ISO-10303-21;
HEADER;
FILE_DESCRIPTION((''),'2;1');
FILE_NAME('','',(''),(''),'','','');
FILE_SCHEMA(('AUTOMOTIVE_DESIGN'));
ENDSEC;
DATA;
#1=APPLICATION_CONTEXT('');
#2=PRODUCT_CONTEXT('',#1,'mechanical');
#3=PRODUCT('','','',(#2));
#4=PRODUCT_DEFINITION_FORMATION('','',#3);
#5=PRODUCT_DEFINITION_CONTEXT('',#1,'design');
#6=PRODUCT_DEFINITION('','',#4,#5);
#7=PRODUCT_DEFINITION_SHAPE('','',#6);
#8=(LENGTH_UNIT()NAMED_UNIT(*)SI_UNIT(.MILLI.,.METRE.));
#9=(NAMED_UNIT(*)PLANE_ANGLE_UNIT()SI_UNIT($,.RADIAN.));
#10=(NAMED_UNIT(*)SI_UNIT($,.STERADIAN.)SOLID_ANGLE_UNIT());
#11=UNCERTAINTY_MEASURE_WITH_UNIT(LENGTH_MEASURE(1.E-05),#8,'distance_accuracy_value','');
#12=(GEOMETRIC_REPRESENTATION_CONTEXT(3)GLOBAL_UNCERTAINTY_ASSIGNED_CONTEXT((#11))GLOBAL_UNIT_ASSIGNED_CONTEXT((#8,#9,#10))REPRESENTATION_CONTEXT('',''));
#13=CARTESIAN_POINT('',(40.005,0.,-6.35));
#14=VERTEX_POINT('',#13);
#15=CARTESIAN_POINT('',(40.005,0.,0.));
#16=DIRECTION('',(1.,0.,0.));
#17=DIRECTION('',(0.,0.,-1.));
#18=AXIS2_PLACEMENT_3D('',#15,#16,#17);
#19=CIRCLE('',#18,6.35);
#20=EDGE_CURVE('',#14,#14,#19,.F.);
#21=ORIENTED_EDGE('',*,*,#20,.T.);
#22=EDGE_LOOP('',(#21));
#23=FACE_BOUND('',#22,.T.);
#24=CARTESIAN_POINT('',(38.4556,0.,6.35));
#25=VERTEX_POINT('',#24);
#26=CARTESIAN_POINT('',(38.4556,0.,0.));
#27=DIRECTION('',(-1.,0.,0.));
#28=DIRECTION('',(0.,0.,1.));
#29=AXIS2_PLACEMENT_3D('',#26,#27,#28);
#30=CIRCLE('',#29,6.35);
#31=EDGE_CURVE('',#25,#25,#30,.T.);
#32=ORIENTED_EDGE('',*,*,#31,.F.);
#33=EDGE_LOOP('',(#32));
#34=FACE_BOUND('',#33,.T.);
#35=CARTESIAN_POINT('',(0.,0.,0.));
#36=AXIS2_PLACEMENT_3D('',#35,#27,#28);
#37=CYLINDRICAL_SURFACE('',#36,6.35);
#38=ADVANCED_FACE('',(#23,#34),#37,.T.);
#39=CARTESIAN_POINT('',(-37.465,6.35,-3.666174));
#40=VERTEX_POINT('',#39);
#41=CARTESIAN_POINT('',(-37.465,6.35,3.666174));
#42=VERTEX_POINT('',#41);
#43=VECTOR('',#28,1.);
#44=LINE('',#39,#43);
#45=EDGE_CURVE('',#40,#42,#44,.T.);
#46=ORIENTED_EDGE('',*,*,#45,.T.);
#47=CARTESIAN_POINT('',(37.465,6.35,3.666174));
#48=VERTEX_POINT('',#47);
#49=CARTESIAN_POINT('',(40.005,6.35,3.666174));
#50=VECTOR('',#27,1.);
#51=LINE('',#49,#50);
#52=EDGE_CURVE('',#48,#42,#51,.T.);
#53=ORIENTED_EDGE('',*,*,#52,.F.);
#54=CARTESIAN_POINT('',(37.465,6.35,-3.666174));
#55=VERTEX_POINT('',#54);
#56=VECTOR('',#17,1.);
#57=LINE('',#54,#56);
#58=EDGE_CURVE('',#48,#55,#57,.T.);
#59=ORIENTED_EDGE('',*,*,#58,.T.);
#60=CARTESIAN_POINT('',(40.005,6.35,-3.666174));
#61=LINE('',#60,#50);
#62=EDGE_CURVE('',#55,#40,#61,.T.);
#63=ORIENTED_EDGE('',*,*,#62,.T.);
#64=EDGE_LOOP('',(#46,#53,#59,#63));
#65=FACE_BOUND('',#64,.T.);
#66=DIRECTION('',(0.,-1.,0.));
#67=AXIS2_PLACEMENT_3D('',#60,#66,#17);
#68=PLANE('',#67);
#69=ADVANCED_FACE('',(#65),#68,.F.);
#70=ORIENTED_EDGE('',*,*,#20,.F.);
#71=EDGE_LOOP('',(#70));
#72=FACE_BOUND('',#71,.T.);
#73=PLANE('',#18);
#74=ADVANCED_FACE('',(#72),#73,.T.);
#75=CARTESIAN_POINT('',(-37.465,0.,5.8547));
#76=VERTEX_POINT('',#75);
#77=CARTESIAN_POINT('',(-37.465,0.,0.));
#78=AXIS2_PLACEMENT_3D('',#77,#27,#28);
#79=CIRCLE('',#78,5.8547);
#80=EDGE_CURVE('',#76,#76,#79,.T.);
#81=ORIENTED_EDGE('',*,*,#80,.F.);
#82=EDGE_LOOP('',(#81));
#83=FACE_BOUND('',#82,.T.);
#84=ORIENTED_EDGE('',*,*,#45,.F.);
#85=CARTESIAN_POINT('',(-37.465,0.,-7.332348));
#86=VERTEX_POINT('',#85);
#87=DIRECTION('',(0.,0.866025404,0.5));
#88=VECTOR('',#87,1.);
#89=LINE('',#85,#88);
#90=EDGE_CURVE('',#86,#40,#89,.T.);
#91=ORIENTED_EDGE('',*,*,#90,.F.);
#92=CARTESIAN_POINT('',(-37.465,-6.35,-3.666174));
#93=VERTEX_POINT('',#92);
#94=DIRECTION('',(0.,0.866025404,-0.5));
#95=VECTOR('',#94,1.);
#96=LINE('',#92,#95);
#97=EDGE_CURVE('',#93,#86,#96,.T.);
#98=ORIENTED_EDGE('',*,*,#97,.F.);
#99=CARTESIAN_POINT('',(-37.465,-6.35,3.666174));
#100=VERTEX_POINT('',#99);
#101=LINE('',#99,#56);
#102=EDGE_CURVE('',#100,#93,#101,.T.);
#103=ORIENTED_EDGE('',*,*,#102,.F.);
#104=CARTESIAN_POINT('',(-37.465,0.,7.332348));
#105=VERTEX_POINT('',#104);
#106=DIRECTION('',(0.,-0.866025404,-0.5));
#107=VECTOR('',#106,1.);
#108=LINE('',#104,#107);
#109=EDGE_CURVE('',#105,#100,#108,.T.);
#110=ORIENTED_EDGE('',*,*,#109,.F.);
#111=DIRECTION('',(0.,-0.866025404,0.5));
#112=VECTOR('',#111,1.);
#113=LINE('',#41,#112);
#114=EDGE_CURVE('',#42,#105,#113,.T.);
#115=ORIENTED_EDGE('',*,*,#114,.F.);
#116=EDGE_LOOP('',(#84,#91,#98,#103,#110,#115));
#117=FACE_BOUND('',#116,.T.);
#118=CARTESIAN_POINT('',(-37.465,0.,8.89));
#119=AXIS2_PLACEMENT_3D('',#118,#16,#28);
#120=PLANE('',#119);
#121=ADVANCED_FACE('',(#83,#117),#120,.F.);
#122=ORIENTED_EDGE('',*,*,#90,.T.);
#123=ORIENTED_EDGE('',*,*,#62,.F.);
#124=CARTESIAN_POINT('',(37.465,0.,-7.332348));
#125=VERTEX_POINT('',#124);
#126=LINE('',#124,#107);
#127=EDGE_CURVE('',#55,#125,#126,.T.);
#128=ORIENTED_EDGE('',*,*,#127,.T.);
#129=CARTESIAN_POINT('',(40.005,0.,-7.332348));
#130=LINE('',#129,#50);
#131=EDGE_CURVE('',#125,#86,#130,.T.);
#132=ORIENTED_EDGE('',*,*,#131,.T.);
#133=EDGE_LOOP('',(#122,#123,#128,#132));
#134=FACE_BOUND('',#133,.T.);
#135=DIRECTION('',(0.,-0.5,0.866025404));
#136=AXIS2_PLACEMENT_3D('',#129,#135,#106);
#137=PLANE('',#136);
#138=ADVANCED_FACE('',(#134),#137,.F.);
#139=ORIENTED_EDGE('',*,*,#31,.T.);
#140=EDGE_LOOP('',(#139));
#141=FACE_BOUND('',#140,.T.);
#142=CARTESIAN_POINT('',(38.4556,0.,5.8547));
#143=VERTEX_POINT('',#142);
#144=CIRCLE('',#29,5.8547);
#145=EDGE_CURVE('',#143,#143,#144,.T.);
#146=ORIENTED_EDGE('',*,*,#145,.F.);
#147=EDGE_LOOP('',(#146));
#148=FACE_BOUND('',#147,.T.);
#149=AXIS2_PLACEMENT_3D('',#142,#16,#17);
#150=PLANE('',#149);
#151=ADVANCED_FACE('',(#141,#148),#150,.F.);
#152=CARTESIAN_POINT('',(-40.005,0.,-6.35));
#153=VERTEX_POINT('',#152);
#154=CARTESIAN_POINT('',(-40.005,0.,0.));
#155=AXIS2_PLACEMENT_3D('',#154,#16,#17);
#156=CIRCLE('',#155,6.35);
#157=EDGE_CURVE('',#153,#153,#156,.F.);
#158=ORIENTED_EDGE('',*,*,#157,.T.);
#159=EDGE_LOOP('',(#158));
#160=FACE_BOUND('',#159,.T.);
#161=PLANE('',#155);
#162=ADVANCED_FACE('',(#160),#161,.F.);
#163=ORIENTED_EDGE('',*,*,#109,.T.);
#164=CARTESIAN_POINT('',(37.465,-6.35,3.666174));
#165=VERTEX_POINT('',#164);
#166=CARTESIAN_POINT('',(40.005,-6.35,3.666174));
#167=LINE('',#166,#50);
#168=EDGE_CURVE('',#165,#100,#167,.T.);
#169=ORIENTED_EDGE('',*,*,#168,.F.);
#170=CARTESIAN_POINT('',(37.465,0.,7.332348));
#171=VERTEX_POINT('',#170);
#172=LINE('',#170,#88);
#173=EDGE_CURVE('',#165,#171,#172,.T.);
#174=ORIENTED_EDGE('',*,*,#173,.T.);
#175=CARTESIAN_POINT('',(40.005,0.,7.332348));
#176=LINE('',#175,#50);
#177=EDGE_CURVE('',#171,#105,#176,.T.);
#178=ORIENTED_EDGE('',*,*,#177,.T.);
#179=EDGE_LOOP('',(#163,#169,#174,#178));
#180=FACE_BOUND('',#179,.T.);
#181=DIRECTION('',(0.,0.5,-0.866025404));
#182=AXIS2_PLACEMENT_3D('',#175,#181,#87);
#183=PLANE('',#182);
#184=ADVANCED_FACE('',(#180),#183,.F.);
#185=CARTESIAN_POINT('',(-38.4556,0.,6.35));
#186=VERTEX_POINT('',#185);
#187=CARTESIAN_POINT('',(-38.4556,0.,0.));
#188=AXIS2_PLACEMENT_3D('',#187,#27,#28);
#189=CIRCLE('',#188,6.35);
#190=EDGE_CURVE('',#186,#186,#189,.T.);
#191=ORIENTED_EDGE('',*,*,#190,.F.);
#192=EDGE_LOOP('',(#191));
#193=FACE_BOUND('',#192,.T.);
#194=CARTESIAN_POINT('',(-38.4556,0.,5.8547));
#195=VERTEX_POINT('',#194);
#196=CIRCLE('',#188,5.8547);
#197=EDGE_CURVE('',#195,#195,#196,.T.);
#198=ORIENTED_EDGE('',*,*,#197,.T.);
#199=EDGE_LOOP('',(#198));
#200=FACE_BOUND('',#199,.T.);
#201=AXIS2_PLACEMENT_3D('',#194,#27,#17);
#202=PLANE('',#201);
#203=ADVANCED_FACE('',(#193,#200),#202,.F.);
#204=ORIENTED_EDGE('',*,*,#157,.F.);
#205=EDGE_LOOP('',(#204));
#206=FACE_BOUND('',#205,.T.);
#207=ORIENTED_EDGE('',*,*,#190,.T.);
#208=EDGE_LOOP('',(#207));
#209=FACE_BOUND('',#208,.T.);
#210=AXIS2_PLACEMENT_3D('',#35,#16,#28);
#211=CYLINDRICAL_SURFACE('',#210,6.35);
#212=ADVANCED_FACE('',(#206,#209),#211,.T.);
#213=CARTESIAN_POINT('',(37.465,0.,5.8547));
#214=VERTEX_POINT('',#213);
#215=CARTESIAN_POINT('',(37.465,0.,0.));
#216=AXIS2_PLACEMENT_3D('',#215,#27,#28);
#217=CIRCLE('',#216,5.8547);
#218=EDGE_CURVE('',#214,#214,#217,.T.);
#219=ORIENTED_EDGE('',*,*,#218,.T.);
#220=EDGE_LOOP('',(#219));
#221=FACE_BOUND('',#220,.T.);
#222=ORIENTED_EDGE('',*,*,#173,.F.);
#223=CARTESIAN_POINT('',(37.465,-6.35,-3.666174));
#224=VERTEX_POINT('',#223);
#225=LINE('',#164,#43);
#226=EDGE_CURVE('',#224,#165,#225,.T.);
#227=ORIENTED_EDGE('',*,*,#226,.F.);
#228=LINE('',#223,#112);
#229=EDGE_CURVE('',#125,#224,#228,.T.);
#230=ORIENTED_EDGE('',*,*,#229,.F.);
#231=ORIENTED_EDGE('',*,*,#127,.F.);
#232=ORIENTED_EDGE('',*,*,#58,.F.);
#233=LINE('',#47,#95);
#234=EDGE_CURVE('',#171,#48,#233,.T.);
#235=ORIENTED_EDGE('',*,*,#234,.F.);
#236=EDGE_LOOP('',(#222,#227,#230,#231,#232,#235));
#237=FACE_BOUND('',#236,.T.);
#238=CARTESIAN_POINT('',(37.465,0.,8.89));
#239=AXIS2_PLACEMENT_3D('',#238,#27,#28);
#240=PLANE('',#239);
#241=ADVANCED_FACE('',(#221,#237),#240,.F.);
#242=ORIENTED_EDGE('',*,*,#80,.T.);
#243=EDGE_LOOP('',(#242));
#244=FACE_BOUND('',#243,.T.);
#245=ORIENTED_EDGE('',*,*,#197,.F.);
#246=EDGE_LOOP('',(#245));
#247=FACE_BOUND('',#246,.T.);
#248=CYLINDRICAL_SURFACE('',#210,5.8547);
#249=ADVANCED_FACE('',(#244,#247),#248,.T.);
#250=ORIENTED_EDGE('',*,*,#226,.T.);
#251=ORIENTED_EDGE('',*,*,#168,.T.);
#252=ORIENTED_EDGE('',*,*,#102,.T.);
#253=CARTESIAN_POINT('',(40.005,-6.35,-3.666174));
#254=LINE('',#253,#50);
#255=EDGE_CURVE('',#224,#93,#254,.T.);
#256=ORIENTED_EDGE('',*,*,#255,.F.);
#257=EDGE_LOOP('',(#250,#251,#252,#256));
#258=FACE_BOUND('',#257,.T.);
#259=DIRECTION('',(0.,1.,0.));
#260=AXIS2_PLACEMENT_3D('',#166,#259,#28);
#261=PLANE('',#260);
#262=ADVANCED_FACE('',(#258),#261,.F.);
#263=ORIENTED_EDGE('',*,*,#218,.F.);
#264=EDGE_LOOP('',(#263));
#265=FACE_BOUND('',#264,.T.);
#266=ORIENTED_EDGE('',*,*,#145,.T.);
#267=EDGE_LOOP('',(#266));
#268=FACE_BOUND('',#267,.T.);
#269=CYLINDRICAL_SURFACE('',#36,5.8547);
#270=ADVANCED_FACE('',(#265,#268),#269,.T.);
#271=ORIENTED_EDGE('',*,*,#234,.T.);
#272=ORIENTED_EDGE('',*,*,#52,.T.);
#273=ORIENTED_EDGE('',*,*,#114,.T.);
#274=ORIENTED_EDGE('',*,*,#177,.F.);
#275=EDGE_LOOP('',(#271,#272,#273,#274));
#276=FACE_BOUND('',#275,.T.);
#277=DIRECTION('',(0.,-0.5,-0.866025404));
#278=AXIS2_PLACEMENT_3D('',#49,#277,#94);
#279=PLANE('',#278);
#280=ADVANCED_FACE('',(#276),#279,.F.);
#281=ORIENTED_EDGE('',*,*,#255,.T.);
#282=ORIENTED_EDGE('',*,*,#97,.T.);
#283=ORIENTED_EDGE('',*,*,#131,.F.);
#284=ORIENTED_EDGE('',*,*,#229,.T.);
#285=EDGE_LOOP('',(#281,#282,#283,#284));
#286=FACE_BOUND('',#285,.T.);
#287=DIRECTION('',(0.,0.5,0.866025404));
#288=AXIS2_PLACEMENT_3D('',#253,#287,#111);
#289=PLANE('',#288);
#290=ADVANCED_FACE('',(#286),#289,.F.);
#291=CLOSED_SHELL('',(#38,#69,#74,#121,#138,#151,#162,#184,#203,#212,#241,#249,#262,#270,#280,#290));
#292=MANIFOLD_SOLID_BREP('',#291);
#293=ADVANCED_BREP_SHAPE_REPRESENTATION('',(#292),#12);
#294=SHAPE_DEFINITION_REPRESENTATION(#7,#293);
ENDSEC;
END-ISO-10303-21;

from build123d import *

# Parameters (mm, degrees)
BOSS_EXTRUDE1_DEPTH = 40.005


with BuildPart() as part:
    # Sketch1 → Boss-Extrude1 (new, symmetric)
    with BuildSketch(Plane(origin=(0, 0, 0), x_dir=(0, 0, -1), z_dir=(1, 0, 0))):
        Polygon((7.332348419, 0), (3.666174209, 6.35), (-3.666174209, 6.35), (-7.332348419, 0), (-3.666174209, -6.35), (3.666174209, -6.35), align=None)
    extrude(amount=BOSS_EXTRUDE1_DEPTH, both=True)

    # Sketch2 → Cut-Revolve1 (revolve, cut)
    with BuildSketch(Plane(origin=(0, 0, 0), x_dir=(1, 0, 0), z_dir=(0, 1, 0))):
        Polygon((37.465, -5.8547), (38.4556, -5.8547), (38.4556, -6.35), (40.005, -6.35), (40.005, -8.89), (37.465, -8.89), align=None)
    cut_revolve1 = revolve(axis=Axis((0, 0, 0), (1, 0, 0)), mode=Mode.SUBTRACT)

    # Mirror1: Cut-Revolve1 across plane
    add(cut_revolve1.mirror(Plane(origin=(0, 0, 0), x_dir=(0, 0, 1), z_dir=(1, 0, 0))), mode=Mode.SUBTRACT)


solid = part.part
